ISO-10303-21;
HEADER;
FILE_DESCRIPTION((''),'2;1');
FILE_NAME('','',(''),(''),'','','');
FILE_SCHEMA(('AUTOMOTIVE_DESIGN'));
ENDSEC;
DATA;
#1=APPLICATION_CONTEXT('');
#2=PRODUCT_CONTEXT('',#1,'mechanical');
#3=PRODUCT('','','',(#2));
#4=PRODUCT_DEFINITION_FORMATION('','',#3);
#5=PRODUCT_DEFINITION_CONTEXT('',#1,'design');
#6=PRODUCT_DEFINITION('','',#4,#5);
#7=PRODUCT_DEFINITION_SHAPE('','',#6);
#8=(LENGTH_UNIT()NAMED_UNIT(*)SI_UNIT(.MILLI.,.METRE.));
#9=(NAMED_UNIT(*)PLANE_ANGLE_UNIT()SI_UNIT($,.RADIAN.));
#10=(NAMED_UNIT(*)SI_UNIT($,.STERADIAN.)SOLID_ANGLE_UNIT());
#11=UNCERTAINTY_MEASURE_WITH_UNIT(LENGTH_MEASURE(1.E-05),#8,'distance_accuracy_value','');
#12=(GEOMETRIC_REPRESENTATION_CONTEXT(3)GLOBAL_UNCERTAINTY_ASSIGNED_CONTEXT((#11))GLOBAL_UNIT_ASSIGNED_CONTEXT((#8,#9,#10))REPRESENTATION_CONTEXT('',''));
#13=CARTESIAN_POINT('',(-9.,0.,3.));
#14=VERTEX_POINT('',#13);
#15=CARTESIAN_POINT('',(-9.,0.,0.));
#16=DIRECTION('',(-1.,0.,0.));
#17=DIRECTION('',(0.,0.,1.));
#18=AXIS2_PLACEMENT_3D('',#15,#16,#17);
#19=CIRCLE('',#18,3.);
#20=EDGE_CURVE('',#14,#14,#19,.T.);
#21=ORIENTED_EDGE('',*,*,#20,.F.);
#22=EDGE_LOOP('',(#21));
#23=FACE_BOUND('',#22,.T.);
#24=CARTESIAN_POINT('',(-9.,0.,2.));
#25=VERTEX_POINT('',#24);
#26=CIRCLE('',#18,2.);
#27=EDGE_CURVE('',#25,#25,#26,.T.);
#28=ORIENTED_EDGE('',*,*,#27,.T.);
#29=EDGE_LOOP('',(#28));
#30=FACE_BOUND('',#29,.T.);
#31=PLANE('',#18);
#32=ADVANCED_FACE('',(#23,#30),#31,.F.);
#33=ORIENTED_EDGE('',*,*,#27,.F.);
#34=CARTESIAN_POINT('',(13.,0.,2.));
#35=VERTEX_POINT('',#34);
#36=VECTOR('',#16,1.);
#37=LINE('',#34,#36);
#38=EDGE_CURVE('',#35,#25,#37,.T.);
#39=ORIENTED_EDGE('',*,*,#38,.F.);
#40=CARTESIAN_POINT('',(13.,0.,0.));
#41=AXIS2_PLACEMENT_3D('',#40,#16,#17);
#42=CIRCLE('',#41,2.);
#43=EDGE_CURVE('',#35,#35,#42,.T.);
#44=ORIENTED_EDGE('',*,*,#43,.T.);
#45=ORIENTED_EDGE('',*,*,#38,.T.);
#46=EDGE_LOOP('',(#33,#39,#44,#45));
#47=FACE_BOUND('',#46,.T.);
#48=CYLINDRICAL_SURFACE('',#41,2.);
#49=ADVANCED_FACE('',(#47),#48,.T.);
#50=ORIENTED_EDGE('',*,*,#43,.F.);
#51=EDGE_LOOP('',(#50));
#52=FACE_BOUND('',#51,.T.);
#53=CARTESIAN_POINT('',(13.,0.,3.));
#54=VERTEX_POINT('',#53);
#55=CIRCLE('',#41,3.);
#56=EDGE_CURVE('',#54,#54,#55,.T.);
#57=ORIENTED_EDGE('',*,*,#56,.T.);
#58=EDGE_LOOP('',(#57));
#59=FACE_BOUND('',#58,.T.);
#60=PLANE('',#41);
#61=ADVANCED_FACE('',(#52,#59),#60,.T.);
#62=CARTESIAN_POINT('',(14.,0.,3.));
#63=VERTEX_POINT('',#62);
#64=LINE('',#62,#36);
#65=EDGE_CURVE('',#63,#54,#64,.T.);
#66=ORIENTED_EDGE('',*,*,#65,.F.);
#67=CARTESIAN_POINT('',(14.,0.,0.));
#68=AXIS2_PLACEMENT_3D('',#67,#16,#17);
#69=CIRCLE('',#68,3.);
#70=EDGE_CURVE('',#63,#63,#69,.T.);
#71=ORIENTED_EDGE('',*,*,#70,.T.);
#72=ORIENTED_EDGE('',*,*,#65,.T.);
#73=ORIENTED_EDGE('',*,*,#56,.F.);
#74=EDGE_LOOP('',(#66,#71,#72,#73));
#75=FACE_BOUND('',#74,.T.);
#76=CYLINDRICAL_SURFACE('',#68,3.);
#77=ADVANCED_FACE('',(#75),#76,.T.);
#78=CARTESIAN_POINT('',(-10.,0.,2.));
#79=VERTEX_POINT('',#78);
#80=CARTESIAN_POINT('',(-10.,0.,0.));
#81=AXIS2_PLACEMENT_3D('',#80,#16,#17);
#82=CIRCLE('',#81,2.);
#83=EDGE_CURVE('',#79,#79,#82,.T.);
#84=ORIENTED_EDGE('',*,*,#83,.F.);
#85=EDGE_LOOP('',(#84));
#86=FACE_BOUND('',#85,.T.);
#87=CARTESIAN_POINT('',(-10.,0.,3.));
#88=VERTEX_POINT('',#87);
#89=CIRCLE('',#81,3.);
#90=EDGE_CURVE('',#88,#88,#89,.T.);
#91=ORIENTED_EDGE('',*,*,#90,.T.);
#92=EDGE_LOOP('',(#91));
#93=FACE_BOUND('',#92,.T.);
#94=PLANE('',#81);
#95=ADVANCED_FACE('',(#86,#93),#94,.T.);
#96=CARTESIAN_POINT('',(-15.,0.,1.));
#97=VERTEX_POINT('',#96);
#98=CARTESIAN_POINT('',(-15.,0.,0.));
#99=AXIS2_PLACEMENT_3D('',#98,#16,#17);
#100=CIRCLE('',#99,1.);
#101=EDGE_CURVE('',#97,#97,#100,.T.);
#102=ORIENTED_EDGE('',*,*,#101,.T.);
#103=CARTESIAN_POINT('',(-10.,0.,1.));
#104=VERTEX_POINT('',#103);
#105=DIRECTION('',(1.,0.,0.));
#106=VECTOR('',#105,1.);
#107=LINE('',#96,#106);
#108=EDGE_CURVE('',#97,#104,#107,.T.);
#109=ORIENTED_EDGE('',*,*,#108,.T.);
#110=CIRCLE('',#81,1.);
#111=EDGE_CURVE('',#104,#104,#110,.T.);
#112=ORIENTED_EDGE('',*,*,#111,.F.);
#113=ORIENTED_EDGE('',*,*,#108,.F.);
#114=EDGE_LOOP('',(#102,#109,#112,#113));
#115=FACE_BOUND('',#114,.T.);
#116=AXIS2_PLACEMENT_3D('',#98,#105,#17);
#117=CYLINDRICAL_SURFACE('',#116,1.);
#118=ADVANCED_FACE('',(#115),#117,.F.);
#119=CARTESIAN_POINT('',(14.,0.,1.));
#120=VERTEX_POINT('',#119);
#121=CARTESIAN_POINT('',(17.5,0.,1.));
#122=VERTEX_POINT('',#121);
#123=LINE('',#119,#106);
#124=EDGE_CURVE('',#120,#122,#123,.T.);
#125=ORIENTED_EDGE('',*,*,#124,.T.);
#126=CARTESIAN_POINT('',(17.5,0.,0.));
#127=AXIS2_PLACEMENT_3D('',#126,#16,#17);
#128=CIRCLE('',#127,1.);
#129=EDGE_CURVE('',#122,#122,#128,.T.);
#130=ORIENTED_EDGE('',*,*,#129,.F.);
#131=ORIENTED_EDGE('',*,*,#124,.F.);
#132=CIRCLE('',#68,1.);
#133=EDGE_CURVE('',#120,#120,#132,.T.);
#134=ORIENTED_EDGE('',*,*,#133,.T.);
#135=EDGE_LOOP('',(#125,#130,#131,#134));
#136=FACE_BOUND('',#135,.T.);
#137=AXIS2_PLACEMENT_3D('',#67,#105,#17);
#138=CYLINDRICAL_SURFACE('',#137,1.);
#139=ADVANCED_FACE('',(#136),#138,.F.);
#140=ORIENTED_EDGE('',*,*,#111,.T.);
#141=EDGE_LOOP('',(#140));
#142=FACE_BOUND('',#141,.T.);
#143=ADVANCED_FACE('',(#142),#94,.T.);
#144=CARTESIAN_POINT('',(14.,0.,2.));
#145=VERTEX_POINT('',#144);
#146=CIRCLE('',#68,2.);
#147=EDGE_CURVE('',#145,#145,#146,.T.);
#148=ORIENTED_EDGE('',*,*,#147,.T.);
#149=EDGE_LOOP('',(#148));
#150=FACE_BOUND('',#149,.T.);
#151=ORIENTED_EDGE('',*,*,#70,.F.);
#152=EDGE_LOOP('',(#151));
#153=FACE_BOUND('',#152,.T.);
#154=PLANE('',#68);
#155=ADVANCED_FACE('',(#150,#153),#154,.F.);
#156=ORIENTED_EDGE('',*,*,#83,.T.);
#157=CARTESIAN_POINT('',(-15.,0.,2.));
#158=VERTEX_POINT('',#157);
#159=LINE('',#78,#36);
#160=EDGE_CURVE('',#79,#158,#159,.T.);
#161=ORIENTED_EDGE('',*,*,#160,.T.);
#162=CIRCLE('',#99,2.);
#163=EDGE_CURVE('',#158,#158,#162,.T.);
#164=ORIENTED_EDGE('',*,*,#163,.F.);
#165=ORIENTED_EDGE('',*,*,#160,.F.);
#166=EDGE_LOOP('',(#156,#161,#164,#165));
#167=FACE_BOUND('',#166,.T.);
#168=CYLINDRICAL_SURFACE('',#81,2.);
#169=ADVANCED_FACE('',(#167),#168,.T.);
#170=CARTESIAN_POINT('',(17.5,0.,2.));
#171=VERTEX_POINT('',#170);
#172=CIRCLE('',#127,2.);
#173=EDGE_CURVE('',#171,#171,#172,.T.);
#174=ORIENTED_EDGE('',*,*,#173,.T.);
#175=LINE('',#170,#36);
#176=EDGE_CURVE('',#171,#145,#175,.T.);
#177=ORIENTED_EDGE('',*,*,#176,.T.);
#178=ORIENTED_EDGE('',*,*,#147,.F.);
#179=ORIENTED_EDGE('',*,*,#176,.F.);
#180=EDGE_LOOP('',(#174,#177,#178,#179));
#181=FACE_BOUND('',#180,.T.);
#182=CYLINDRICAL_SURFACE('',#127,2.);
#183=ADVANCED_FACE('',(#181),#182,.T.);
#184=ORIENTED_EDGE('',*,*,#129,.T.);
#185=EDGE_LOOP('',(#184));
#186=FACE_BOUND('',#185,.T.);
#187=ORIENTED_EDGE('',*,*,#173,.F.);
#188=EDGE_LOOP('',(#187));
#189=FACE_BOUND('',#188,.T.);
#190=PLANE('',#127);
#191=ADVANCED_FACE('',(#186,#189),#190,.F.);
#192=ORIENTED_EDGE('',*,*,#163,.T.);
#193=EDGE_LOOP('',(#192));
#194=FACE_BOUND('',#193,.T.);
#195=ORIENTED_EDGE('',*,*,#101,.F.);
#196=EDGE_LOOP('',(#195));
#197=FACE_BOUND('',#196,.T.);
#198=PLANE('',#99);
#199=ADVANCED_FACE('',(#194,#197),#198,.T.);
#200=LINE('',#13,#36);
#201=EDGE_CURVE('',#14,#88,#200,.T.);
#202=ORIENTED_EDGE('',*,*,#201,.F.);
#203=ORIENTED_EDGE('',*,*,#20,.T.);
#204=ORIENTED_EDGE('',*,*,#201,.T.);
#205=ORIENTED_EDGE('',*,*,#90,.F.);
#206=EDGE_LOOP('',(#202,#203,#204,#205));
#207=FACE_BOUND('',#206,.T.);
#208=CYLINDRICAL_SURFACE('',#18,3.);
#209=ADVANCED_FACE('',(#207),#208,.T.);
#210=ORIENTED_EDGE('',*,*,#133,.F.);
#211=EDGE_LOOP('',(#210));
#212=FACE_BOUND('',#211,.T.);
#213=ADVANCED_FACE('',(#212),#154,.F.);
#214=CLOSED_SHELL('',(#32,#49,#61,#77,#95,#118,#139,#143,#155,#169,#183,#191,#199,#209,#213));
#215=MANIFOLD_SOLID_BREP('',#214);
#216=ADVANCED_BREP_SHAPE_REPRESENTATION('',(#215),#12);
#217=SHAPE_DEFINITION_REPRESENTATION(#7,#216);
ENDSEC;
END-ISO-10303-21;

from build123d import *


with BuildPart() as f1:
    # F0 (on Front) → F1 (revolve)
    with BuildSketch(Plane.XZ):
        Polygon((-15, 2), (-15, 1), (-10, 1), (-10, 0), (14, 0), (14, 1), (17.5, 1), (17.5, 2), (14, 2), (14, 3), (13, 3), (13, 2), (0, 2), (-9, 2), (-9, 3), (-10, 3), (-10, 2), align=None)
    revolve(axis=Axis((2, 0, 0), (-1, 0, 0)))


solid = f1.part
